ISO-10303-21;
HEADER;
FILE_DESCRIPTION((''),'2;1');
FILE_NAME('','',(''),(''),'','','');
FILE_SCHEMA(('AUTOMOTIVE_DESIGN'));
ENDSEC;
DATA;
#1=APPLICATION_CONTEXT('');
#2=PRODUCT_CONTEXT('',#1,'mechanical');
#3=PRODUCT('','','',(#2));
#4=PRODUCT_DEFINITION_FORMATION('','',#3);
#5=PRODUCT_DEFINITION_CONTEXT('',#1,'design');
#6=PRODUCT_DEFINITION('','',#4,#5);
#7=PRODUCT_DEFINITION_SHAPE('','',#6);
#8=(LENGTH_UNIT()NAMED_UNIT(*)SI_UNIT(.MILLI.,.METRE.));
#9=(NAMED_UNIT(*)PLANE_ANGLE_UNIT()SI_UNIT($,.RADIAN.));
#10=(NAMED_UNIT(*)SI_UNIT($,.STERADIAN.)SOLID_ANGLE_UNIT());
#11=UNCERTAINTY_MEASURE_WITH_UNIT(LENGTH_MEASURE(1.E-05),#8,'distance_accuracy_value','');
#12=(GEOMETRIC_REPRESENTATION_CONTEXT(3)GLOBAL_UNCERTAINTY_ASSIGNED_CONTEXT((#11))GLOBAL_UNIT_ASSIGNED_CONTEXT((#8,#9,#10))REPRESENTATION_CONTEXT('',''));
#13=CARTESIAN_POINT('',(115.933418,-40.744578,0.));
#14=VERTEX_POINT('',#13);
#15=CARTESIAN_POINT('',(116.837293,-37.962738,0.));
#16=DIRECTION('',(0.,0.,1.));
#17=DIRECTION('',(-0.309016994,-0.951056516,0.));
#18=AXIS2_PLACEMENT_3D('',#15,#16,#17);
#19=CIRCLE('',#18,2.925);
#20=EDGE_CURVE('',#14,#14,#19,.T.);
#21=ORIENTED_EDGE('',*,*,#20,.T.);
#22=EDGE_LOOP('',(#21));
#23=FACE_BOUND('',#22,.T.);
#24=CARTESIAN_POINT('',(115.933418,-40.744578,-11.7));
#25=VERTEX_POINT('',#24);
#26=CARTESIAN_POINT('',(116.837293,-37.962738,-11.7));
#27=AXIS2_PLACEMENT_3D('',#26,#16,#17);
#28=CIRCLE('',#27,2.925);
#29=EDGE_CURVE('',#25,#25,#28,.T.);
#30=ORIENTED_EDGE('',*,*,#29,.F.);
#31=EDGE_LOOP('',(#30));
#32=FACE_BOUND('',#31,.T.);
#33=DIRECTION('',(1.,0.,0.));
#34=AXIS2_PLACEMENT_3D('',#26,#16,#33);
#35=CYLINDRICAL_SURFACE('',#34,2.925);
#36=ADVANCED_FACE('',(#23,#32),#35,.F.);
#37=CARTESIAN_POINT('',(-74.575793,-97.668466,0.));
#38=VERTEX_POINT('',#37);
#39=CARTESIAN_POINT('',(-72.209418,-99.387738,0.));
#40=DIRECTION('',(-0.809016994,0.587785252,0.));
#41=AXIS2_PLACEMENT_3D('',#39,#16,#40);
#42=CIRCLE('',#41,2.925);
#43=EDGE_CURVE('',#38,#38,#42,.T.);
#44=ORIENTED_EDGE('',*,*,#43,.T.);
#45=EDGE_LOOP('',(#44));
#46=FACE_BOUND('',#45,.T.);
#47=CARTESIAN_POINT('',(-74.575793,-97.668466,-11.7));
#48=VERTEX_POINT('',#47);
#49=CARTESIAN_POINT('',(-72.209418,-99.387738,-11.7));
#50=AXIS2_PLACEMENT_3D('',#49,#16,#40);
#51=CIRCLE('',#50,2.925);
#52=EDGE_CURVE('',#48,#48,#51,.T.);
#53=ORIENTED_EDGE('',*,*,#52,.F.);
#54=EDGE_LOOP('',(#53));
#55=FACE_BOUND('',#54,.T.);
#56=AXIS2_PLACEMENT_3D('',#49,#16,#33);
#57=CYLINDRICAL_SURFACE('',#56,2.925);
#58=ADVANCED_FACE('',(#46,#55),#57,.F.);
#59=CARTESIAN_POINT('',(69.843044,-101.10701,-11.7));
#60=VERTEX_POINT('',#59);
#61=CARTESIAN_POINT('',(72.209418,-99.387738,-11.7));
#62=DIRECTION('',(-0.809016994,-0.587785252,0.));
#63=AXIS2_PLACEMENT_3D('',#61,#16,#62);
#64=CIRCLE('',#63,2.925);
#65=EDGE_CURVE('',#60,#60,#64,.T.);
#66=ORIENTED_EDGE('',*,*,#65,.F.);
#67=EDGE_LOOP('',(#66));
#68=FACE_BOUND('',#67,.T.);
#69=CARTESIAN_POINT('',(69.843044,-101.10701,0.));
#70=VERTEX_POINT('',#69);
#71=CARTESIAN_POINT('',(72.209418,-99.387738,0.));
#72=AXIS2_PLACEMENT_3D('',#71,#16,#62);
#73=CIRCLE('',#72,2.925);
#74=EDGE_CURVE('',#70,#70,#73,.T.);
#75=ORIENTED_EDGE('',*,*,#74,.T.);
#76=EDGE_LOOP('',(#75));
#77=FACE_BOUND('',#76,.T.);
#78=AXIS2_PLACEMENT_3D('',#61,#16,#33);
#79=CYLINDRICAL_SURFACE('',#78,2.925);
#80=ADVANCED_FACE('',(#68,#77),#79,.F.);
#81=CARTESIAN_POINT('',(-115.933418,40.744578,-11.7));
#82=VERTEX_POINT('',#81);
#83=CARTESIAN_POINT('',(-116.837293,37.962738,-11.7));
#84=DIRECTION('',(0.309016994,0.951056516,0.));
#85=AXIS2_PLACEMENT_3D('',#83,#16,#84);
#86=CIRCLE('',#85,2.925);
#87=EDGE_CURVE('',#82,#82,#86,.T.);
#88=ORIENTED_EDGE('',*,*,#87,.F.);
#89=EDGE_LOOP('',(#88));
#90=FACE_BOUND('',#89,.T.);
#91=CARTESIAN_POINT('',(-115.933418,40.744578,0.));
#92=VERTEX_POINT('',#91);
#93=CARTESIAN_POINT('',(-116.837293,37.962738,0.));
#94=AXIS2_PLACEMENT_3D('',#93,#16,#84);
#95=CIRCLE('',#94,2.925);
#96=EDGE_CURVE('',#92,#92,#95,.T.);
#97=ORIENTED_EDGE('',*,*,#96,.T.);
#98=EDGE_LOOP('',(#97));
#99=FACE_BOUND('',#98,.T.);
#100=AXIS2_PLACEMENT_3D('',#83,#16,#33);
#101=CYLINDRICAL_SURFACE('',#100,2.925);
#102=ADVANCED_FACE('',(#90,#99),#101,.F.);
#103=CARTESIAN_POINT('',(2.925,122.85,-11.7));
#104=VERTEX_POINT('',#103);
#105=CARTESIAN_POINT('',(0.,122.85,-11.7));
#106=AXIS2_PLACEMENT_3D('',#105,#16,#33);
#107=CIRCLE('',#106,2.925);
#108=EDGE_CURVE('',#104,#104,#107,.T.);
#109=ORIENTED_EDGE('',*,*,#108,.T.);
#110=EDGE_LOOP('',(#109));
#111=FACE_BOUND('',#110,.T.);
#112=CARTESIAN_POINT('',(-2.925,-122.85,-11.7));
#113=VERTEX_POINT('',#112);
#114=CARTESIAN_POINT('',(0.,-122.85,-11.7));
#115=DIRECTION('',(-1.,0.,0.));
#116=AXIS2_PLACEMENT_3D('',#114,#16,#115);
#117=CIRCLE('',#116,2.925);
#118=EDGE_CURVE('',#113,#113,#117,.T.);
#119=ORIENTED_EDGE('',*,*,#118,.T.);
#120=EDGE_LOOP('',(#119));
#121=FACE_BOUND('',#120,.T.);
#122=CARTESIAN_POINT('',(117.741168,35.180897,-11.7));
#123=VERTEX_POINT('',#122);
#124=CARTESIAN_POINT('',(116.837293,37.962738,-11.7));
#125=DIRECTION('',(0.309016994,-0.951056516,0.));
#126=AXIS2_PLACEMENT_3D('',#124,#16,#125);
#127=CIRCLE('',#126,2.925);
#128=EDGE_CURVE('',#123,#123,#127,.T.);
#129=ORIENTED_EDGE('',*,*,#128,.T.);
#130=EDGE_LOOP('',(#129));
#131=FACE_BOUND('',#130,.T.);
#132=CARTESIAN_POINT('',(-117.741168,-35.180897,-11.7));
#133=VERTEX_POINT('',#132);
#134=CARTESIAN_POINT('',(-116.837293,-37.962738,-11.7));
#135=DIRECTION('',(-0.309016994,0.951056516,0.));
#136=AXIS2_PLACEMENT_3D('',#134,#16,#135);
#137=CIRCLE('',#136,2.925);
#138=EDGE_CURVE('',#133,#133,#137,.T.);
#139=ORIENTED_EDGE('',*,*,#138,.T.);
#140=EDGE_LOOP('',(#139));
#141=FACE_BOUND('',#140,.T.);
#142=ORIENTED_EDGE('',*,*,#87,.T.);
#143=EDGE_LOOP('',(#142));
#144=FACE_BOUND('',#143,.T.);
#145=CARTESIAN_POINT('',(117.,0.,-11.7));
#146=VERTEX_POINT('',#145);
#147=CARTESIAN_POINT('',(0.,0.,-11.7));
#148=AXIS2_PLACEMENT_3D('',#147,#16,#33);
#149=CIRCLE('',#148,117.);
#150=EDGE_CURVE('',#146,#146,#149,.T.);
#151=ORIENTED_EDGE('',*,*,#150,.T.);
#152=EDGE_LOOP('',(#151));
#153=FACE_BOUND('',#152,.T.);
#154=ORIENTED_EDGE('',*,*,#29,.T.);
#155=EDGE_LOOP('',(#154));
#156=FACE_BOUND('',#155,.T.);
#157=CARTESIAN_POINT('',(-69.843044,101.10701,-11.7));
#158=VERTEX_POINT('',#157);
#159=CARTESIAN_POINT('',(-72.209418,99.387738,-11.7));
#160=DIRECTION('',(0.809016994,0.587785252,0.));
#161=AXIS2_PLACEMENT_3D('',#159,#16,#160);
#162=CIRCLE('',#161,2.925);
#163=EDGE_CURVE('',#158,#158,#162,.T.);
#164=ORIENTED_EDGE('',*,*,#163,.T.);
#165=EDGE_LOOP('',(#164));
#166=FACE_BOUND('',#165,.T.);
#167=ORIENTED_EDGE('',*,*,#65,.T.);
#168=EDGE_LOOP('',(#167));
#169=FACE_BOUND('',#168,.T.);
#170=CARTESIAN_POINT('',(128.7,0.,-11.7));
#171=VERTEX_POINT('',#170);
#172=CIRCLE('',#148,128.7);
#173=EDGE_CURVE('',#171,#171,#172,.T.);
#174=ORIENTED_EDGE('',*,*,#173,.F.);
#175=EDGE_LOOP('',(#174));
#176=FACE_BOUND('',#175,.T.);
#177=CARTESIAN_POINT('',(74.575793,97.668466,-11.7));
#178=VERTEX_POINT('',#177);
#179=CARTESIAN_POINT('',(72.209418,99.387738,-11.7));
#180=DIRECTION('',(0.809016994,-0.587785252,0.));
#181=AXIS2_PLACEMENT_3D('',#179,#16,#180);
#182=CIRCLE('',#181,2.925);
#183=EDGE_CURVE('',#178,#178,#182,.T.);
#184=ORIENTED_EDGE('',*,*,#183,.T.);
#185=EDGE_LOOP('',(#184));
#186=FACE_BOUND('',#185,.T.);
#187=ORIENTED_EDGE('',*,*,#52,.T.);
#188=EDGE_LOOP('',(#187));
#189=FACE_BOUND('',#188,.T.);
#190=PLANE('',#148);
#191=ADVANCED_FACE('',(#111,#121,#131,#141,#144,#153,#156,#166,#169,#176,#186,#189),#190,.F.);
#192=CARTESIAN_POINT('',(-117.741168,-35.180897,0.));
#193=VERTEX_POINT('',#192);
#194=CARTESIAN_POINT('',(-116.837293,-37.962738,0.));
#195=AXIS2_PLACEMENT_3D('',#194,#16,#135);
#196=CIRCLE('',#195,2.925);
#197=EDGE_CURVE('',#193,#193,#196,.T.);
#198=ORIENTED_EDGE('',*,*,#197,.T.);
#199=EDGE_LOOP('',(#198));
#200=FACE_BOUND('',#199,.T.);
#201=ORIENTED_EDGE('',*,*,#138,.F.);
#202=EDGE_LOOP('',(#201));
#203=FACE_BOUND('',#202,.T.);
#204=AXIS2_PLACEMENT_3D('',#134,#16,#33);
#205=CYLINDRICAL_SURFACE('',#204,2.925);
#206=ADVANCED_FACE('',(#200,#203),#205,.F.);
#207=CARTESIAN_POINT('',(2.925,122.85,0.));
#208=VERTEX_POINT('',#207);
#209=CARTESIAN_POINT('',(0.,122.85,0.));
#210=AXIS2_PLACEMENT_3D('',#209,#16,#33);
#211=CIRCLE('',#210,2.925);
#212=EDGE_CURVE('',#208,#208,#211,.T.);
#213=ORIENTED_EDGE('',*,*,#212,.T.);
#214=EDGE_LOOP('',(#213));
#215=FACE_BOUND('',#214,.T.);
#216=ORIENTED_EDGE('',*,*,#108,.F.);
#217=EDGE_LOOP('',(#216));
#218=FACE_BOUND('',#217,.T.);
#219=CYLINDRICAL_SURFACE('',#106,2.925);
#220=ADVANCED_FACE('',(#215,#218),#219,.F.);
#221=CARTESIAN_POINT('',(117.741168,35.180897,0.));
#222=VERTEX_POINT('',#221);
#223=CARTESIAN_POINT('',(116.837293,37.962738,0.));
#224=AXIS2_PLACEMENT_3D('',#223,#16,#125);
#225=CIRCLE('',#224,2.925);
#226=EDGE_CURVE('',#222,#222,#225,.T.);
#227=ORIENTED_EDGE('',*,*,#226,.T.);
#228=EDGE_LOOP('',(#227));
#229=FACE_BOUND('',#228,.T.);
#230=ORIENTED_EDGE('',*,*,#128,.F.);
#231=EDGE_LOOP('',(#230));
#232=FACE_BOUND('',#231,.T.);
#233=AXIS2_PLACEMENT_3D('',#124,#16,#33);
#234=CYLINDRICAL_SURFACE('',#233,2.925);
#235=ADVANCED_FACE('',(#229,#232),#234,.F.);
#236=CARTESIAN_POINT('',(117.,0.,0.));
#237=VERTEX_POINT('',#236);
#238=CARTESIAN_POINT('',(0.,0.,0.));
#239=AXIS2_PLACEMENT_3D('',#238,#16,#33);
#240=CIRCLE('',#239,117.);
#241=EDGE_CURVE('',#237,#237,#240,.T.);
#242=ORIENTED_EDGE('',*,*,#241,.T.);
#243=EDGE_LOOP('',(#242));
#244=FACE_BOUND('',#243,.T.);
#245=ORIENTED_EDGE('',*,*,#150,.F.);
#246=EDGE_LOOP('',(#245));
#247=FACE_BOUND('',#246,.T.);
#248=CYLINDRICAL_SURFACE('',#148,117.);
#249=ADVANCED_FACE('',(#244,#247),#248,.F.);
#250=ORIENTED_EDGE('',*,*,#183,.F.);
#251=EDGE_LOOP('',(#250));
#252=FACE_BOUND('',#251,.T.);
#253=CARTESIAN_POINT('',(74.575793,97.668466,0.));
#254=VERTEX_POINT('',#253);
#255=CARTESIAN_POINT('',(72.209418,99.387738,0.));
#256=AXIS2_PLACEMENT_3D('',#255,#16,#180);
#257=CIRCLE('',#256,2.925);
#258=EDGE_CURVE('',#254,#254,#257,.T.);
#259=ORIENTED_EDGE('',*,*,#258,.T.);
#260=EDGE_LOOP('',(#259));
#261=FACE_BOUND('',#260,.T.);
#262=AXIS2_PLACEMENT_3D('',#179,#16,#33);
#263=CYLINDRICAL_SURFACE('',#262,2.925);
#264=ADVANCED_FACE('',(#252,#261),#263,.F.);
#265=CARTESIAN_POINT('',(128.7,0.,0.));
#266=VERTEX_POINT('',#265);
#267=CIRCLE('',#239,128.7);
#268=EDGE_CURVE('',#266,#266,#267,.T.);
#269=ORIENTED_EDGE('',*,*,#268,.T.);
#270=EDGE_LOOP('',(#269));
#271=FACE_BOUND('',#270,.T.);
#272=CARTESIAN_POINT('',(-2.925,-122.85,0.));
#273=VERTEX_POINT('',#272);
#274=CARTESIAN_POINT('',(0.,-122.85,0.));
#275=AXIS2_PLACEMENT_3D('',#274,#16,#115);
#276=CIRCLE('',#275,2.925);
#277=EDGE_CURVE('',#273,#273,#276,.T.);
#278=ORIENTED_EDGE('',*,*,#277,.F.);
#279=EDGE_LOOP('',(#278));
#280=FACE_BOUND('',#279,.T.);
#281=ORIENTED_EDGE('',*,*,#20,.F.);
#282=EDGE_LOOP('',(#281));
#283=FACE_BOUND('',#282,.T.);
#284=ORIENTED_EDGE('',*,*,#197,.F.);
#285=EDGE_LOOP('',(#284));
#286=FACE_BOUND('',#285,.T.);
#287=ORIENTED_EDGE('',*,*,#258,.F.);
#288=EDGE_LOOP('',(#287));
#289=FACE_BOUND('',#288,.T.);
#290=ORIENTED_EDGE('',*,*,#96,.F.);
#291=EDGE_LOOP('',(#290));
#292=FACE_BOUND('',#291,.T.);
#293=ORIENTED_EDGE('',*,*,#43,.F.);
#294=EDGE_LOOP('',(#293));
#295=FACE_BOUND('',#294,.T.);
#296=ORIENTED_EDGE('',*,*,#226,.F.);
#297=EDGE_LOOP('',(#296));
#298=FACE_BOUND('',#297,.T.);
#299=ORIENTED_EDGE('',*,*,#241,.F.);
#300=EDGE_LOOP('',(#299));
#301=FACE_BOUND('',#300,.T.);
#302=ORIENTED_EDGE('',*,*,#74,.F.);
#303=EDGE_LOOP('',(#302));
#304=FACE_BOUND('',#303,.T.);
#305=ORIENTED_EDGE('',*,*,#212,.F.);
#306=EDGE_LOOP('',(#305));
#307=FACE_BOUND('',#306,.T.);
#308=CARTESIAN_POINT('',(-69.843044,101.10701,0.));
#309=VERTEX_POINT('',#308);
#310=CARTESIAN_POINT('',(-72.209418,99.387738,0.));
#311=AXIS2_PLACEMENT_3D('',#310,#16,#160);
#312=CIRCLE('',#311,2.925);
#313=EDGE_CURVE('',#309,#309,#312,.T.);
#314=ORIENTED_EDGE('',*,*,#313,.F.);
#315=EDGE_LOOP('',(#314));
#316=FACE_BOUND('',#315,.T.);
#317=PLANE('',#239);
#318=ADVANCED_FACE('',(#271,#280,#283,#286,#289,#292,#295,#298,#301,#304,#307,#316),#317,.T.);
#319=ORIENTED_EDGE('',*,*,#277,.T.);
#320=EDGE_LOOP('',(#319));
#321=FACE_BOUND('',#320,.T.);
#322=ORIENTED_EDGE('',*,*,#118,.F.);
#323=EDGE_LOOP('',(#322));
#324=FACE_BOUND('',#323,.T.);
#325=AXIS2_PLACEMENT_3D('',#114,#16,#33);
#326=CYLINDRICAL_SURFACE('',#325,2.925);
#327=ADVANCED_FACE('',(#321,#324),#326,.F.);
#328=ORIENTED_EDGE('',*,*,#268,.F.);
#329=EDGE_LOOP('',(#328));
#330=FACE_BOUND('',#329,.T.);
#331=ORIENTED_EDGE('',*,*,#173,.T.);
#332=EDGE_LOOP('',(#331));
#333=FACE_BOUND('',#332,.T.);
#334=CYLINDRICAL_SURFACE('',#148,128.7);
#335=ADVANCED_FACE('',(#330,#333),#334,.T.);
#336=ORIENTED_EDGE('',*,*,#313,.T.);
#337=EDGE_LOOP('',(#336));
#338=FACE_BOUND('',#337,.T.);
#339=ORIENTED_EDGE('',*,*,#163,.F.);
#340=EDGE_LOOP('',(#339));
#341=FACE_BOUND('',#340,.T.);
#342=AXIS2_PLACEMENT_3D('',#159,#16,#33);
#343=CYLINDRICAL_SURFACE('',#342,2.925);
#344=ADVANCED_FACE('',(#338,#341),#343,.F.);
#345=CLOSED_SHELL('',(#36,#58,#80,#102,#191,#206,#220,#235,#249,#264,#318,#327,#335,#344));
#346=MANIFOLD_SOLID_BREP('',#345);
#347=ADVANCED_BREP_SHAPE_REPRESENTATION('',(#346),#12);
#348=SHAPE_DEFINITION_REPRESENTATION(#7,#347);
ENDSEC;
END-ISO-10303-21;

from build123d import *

# Parameters (mm, degrees)
SKETCH_1_R               = 128.7
SKETCH_1_R_2             = 117
EXTRUDE_2_DEPTH          = 11.7
SKETCH_2_R               = 2.925
CUT_EXTRUDE_2_DEPTH      = 183.384950037
PATTERN_CIRCULAR_1_COUNT = 10


with BuildPart() as part:
    # Эскиз1 → Бобышка-Вытянуть2 (new body)
    with BuildSketch(Plane.XY):
        Circle(SKETCH_1_R)
        Circle(SKETCH_1_R_2, mode=Mode.SUBTRACT)
    extrude(amount=-EXTRUDE_2_DEPTH)

    # Эскиз2 → Вырез-Вытянуть2 (cut, through all)
    with BuildSketch(Plane.XY):
        with Locations((0, 122.85)):
            Circle(SKETCH_2_R)
    cut_extrude_2 = extrude(amount=-CUT_EXTRUDE_2_DEPTH, mode=Mode.SUBTRACT)

    # Круговой массив1: Вырез-Вытянуть2 ×10 about axis
    pattern_circular_1_axis = Axis((0, 0, 0), (0, 0, 1))
    for i in range(1, PATTERN_CIRCULAR_1_COUNT):
        add(cut_extrude_2.rotate(pattern_circular_1_axis, i * 360 / PATTERN_CIRCULAR_1_COUNT), mode=Mode.SUBTRACT)


solid = part.part
